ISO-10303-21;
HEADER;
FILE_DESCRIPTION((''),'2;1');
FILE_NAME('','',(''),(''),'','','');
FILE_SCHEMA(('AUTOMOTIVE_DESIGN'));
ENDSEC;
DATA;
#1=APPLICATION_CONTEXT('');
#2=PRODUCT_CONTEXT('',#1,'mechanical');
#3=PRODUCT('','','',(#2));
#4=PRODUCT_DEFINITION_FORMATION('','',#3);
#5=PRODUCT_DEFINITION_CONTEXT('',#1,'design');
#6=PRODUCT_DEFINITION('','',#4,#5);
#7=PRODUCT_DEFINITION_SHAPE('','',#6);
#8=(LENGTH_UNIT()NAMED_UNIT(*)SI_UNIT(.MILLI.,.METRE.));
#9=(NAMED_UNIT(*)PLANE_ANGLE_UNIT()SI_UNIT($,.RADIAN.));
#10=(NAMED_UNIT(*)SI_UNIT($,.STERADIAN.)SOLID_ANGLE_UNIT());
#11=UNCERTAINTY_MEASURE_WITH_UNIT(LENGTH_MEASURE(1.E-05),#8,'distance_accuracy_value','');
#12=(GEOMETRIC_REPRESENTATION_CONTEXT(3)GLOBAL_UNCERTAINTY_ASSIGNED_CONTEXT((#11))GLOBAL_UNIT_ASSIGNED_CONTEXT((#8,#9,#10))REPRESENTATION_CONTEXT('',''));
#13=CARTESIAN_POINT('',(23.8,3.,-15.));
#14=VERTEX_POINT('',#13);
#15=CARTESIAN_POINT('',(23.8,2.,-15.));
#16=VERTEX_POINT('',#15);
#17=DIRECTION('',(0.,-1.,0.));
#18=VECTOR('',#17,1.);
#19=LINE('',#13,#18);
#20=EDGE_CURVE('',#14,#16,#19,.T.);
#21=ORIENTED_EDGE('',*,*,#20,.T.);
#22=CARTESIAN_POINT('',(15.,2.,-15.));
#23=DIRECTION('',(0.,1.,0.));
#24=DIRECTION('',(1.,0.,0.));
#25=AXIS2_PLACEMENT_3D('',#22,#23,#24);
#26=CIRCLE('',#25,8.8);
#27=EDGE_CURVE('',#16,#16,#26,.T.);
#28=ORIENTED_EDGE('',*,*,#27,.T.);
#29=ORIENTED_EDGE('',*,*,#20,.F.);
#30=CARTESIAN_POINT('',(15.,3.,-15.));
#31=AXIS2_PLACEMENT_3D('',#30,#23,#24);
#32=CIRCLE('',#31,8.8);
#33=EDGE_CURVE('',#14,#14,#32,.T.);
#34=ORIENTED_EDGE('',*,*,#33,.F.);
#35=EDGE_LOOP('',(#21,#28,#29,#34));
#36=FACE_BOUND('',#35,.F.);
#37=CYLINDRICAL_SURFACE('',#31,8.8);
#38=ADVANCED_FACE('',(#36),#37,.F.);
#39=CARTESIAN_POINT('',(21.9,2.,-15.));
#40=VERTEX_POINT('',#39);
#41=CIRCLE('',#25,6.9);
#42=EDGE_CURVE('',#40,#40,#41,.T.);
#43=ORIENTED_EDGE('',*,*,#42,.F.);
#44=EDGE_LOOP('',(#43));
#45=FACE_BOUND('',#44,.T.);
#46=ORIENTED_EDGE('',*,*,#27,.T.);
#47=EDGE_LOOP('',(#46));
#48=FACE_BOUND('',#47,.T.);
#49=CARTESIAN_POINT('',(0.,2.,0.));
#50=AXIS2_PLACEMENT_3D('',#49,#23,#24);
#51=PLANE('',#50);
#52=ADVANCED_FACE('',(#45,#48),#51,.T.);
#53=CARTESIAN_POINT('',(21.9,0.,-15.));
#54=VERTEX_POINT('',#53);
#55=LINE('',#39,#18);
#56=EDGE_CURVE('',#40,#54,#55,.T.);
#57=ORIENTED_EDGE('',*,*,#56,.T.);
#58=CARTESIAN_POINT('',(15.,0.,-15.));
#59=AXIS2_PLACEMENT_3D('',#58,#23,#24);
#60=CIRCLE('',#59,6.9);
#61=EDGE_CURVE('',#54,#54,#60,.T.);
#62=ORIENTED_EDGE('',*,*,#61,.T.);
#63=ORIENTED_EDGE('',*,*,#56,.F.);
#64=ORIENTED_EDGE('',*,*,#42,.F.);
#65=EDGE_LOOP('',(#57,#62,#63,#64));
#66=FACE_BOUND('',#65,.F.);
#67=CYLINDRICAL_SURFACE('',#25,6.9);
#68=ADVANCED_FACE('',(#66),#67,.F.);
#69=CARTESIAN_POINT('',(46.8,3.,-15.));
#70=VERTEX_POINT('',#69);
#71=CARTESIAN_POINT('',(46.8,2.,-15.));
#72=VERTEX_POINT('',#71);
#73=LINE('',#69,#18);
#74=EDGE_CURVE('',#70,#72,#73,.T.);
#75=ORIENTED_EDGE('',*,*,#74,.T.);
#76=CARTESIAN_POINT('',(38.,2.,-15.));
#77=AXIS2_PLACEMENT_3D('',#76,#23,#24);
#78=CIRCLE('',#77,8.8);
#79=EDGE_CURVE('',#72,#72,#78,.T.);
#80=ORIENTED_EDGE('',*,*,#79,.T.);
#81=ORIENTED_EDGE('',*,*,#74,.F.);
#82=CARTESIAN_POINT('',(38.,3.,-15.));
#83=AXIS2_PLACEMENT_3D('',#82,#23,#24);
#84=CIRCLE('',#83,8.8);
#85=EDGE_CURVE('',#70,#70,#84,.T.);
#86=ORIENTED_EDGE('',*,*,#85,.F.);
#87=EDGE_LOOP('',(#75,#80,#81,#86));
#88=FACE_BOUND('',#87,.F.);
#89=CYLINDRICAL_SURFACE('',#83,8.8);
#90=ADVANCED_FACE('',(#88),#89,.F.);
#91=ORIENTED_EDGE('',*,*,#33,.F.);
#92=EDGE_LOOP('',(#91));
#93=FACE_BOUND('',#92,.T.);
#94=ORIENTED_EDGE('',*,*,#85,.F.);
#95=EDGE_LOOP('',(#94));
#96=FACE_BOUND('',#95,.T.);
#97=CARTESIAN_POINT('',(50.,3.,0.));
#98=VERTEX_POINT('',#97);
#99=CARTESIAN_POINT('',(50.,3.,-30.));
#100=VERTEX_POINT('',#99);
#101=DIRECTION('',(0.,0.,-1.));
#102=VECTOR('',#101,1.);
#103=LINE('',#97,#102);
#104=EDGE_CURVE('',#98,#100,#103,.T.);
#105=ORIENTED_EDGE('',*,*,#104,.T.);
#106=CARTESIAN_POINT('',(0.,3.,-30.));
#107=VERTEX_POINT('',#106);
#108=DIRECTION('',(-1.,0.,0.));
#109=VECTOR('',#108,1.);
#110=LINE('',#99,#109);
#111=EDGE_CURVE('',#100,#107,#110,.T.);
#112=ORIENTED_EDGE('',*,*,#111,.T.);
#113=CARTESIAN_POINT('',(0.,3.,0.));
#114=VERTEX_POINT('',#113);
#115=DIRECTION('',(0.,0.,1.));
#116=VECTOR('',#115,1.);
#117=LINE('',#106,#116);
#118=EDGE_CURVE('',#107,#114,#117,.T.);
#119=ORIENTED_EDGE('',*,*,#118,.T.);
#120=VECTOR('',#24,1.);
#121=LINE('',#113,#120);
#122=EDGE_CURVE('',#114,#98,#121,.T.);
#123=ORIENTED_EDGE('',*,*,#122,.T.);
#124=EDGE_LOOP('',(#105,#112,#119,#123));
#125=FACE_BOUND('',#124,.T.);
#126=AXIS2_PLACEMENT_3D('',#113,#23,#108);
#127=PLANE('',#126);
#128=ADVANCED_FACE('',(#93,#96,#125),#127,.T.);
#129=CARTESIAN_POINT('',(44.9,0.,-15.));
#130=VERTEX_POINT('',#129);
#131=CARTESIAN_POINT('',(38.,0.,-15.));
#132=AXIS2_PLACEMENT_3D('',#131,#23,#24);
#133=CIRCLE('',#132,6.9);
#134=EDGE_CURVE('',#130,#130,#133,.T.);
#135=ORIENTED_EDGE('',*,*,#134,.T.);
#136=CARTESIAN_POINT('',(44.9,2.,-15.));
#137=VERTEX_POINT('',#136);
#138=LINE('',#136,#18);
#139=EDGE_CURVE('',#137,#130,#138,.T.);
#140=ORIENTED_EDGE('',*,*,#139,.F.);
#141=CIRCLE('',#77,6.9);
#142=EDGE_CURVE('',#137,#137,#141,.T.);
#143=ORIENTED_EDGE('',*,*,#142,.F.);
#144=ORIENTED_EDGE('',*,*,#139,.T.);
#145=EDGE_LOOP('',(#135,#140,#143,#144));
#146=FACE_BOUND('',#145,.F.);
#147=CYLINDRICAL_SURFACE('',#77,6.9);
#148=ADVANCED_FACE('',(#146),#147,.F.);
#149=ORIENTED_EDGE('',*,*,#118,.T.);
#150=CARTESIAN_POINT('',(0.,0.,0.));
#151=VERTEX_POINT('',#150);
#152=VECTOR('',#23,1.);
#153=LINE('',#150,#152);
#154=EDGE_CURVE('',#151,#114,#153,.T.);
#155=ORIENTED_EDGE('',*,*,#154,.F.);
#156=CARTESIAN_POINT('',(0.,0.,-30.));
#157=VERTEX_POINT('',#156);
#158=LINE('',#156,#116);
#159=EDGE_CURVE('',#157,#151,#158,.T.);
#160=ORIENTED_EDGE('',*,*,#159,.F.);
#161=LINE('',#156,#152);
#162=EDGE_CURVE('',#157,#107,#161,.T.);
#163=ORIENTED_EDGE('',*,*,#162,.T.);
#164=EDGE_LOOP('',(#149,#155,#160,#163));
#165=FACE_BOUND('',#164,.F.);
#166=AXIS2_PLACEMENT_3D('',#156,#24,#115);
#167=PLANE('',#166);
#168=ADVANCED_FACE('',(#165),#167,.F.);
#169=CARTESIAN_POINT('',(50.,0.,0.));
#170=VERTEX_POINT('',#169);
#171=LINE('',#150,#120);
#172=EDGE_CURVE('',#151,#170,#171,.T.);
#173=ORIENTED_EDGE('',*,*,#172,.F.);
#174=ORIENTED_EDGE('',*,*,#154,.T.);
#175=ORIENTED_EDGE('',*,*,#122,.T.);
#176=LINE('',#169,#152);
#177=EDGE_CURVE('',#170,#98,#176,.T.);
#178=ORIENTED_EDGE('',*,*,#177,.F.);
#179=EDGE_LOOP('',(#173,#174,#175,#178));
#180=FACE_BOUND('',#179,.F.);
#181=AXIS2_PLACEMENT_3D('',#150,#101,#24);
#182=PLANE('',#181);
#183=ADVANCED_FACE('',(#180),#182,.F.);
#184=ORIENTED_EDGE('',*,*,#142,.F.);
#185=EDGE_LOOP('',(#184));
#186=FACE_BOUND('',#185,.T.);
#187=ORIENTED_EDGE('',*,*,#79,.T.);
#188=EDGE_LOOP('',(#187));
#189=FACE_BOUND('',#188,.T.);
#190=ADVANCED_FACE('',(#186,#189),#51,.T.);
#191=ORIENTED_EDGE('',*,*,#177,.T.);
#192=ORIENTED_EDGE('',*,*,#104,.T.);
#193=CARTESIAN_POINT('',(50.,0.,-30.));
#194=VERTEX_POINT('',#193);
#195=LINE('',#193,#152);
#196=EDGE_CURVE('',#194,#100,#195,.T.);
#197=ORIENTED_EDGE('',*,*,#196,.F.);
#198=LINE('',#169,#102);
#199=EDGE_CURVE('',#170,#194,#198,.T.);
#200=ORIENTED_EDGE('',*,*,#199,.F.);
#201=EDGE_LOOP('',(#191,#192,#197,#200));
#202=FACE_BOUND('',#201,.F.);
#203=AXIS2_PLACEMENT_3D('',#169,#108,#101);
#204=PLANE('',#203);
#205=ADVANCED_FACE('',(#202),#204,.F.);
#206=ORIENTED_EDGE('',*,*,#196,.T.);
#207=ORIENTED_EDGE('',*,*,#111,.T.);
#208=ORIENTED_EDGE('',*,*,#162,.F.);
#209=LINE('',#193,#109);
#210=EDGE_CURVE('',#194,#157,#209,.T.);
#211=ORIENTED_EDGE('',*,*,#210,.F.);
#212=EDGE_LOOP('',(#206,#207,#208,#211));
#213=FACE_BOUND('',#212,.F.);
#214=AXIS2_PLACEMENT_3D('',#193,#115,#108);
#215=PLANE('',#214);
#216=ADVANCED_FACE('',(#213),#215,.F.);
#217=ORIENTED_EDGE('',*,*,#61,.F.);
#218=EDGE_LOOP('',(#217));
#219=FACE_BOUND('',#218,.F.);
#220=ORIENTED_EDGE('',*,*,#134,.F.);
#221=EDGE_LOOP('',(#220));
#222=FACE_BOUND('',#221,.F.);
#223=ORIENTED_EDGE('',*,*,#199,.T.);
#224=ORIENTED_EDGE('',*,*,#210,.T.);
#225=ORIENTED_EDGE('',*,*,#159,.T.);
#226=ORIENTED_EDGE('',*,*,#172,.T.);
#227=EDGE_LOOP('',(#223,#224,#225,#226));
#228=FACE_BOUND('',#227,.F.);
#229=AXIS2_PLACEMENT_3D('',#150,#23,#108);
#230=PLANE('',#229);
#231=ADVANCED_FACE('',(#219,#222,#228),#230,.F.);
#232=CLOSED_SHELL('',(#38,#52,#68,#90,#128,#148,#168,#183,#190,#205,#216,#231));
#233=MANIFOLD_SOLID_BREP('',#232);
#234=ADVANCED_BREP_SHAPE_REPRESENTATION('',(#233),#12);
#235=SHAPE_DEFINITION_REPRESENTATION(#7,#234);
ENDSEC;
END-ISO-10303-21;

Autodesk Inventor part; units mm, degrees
ref_plane "YZ Plane" through (0, 0, 0) normal (1, 0, 0) x (0, 1, 0)
ref_plane "XZ Plane" through (0, 0, 0) normal (0, 1, 0) x (-1, 0, 0)
ref_plane "XY Plane" through (0, 0, 0) normal (0, 0, 1) x (1, 0, 0)
sketch "Sketch1" plane through (0, 0, 0) normal (0, 1, 0) x (-1, 0, 0)
  line L0 (0, 0) -> (-50, 0)
  line L1 (-50, 0) -> (-50, -30)
  line L2 (-50, -30) -> (0, -30)
  line L3 (0, -30) -> (0, 0)
  dimension "d0" = 50
  dimension "d1" = 30
extrude "Extrusion1" add sketch "Sketch1" along normal blind 3
sketch "Sketch2" plane through (0, 3, 0) normal (0, 1, 0) x (1, 0, 0)
  circle A0 centre (15, 15) radius 8.8
  line L0 (0, 30) -> (0, 0) projected
  line L1 (0, 0) -> (50, 0) projected
  circle A1 centre (38, 15) radius 8.8
  dimension "d4" = 17.6
  dimension "d5" = 15
  dimension "d6" = 15
  dimension "d12" = 17.6
  dimension "d16" = 0
  dimension "d17" = 23
extrude "Extrusion2" cut sketch "Sketch2" against normal blind 1
sketch "Sketch3" plane through (15, 2, -15) normal (0, 1, 0) x (1, 0, 0)
  circle A0 centre (0, 0) radius 6.9
  circle A1 centre (23, 0) radius 6.9
  circle A2 centre (23, 0) radius 8.8 projected
  point P0 (-15, -15)
  point P1 (-13.4125, -13.4125)
  dimension "d9" = 13.8
  dimension "d13" = 13.8
  dimension "d14" = 0
  dimension "d15" = 0
extrude "Extrusion3" cut sketch "Sketch3" against normal through all contours A0 | A1
properties part number "Proto_Valve_Fitting_TestPlate"
